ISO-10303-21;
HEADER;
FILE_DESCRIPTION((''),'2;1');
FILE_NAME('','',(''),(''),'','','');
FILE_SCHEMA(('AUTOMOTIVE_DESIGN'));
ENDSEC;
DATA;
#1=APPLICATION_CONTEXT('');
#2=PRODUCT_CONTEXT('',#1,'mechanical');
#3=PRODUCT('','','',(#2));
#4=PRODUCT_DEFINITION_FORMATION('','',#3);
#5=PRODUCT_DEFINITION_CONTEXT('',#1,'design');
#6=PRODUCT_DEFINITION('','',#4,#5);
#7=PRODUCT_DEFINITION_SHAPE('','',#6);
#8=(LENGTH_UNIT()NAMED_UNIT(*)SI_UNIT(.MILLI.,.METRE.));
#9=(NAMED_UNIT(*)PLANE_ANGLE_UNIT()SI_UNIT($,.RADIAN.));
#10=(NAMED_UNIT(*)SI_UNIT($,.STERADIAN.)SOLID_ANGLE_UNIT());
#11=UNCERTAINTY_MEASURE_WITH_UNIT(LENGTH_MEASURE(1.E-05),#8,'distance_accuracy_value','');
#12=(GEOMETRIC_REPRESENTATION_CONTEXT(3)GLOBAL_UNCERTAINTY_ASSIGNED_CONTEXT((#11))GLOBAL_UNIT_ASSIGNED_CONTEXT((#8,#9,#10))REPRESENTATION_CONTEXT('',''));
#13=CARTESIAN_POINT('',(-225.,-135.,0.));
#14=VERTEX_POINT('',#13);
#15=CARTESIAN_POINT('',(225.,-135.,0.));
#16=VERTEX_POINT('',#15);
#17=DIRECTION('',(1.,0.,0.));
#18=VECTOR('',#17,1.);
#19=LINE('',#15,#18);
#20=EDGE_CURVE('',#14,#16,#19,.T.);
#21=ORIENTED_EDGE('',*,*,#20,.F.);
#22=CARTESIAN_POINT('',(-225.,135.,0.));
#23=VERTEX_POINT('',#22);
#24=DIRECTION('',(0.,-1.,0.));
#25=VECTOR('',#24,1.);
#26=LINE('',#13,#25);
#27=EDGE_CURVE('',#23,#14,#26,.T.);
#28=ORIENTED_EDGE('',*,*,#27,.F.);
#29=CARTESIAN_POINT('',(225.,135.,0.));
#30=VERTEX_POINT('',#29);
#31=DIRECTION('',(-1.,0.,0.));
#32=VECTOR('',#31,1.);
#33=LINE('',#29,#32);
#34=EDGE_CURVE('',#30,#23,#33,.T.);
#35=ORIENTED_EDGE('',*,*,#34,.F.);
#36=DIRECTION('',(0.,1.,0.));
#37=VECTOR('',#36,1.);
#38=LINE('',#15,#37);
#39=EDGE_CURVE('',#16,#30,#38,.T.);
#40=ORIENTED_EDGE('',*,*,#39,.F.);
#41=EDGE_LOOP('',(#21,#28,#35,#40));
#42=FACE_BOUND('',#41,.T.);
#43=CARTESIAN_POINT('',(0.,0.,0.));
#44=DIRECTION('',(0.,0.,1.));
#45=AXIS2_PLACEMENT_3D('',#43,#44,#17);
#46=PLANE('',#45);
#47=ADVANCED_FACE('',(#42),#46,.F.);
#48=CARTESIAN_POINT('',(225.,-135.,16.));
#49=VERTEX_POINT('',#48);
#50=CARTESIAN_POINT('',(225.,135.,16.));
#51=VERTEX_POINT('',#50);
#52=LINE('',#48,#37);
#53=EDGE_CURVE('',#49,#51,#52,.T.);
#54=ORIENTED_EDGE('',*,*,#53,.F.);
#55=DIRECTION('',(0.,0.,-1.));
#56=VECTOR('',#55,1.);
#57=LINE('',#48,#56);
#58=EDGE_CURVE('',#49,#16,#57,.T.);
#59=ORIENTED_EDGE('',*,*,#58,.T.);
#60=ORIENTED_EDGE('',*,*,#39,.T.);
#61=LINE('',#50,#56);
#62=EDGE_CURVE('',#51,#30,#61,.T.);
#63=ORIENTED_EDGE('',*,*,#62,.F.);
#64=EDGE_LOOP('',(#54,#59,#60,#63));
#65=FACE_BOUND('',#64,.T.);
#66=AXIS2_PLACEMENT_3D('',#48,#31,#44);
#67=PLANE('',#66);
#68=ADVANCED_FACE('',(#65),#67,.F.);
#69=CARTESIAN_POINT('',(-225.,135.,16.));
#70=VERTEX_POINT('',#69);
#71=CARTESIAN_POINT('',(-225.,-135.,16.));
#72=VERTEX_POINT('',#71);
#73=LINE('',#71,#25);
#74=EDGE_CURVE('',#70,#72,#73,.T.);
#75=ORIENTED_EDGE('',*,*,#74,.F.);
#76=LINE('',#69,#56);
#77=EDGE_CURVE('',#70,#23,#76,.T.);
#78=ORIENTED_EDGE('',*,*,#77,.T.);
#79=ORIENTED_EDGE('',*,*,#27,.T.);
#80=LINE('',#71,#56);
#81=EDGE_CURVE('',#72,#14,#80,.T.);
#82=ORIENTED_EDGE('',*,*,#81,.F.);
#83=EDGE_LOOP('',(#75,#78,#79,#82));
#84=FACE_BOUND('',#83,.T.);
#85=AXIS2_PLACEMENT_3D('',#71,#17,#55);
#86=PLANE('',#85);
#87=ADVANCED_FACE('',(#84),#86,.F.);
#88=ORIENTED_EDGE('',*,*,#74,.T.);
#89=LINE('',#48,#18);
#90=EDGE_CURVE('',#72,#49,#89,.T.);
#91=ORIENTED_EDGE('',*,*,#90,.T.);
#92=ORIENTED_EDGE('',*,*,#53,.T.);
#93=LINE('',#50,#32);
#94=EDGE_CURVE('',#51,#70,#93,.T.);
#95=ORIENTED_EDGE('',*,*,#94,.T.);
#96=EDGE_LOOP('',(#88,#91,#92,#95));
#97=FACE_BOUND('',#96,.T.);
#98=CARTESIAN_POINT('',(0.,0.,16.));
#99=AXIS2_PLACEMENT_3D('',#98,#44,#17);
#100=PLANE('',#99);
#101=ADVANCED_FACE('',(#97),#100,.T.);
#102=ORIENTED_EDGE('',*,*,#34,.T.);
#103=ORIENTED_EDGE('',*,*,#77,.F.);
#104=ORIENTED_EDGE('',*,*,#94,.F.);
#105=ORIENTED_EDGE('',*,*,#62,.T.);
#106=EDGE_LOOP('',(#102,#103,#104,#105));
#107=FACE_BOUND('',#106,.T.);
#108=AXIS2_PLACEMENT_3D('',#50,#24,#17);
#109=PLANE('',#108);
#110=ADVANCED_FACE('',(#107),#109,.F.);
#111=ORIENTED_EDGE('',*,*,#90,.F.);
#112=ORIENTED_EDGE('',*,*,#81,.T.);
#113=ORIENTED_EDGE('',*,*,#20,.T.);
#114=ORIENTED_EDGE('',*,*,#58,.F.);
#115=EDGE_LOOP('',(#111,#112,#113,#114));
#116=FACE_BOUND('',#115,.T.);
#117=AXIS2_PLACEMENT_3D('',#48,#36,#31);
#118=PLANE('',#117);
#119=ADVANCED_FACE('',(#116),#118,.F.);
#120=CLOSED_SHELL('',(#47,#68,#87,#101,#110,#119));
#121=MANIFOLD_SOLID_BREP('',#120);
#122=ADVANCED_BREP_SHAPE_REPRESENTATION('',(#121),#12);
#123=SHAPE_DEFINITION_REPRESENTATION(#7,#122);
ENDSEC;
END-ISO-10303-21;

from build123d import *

# Parameters (mm, degrees)
SKETCH_1_W      = 450
SKETCH_1_H      = 270
EXTRUDE_1_DEPTH = 16


with BuildPart() as part:
    # 草图1 → 凸台-拉伸1 (new body)
    with BuildSketch(Plane.XY):
        Rectangle(SKETCH_1_W, SKETCH_1_H)
    extrude(amount=EXTRUDE_1_DEPTH)


solid = part.part
